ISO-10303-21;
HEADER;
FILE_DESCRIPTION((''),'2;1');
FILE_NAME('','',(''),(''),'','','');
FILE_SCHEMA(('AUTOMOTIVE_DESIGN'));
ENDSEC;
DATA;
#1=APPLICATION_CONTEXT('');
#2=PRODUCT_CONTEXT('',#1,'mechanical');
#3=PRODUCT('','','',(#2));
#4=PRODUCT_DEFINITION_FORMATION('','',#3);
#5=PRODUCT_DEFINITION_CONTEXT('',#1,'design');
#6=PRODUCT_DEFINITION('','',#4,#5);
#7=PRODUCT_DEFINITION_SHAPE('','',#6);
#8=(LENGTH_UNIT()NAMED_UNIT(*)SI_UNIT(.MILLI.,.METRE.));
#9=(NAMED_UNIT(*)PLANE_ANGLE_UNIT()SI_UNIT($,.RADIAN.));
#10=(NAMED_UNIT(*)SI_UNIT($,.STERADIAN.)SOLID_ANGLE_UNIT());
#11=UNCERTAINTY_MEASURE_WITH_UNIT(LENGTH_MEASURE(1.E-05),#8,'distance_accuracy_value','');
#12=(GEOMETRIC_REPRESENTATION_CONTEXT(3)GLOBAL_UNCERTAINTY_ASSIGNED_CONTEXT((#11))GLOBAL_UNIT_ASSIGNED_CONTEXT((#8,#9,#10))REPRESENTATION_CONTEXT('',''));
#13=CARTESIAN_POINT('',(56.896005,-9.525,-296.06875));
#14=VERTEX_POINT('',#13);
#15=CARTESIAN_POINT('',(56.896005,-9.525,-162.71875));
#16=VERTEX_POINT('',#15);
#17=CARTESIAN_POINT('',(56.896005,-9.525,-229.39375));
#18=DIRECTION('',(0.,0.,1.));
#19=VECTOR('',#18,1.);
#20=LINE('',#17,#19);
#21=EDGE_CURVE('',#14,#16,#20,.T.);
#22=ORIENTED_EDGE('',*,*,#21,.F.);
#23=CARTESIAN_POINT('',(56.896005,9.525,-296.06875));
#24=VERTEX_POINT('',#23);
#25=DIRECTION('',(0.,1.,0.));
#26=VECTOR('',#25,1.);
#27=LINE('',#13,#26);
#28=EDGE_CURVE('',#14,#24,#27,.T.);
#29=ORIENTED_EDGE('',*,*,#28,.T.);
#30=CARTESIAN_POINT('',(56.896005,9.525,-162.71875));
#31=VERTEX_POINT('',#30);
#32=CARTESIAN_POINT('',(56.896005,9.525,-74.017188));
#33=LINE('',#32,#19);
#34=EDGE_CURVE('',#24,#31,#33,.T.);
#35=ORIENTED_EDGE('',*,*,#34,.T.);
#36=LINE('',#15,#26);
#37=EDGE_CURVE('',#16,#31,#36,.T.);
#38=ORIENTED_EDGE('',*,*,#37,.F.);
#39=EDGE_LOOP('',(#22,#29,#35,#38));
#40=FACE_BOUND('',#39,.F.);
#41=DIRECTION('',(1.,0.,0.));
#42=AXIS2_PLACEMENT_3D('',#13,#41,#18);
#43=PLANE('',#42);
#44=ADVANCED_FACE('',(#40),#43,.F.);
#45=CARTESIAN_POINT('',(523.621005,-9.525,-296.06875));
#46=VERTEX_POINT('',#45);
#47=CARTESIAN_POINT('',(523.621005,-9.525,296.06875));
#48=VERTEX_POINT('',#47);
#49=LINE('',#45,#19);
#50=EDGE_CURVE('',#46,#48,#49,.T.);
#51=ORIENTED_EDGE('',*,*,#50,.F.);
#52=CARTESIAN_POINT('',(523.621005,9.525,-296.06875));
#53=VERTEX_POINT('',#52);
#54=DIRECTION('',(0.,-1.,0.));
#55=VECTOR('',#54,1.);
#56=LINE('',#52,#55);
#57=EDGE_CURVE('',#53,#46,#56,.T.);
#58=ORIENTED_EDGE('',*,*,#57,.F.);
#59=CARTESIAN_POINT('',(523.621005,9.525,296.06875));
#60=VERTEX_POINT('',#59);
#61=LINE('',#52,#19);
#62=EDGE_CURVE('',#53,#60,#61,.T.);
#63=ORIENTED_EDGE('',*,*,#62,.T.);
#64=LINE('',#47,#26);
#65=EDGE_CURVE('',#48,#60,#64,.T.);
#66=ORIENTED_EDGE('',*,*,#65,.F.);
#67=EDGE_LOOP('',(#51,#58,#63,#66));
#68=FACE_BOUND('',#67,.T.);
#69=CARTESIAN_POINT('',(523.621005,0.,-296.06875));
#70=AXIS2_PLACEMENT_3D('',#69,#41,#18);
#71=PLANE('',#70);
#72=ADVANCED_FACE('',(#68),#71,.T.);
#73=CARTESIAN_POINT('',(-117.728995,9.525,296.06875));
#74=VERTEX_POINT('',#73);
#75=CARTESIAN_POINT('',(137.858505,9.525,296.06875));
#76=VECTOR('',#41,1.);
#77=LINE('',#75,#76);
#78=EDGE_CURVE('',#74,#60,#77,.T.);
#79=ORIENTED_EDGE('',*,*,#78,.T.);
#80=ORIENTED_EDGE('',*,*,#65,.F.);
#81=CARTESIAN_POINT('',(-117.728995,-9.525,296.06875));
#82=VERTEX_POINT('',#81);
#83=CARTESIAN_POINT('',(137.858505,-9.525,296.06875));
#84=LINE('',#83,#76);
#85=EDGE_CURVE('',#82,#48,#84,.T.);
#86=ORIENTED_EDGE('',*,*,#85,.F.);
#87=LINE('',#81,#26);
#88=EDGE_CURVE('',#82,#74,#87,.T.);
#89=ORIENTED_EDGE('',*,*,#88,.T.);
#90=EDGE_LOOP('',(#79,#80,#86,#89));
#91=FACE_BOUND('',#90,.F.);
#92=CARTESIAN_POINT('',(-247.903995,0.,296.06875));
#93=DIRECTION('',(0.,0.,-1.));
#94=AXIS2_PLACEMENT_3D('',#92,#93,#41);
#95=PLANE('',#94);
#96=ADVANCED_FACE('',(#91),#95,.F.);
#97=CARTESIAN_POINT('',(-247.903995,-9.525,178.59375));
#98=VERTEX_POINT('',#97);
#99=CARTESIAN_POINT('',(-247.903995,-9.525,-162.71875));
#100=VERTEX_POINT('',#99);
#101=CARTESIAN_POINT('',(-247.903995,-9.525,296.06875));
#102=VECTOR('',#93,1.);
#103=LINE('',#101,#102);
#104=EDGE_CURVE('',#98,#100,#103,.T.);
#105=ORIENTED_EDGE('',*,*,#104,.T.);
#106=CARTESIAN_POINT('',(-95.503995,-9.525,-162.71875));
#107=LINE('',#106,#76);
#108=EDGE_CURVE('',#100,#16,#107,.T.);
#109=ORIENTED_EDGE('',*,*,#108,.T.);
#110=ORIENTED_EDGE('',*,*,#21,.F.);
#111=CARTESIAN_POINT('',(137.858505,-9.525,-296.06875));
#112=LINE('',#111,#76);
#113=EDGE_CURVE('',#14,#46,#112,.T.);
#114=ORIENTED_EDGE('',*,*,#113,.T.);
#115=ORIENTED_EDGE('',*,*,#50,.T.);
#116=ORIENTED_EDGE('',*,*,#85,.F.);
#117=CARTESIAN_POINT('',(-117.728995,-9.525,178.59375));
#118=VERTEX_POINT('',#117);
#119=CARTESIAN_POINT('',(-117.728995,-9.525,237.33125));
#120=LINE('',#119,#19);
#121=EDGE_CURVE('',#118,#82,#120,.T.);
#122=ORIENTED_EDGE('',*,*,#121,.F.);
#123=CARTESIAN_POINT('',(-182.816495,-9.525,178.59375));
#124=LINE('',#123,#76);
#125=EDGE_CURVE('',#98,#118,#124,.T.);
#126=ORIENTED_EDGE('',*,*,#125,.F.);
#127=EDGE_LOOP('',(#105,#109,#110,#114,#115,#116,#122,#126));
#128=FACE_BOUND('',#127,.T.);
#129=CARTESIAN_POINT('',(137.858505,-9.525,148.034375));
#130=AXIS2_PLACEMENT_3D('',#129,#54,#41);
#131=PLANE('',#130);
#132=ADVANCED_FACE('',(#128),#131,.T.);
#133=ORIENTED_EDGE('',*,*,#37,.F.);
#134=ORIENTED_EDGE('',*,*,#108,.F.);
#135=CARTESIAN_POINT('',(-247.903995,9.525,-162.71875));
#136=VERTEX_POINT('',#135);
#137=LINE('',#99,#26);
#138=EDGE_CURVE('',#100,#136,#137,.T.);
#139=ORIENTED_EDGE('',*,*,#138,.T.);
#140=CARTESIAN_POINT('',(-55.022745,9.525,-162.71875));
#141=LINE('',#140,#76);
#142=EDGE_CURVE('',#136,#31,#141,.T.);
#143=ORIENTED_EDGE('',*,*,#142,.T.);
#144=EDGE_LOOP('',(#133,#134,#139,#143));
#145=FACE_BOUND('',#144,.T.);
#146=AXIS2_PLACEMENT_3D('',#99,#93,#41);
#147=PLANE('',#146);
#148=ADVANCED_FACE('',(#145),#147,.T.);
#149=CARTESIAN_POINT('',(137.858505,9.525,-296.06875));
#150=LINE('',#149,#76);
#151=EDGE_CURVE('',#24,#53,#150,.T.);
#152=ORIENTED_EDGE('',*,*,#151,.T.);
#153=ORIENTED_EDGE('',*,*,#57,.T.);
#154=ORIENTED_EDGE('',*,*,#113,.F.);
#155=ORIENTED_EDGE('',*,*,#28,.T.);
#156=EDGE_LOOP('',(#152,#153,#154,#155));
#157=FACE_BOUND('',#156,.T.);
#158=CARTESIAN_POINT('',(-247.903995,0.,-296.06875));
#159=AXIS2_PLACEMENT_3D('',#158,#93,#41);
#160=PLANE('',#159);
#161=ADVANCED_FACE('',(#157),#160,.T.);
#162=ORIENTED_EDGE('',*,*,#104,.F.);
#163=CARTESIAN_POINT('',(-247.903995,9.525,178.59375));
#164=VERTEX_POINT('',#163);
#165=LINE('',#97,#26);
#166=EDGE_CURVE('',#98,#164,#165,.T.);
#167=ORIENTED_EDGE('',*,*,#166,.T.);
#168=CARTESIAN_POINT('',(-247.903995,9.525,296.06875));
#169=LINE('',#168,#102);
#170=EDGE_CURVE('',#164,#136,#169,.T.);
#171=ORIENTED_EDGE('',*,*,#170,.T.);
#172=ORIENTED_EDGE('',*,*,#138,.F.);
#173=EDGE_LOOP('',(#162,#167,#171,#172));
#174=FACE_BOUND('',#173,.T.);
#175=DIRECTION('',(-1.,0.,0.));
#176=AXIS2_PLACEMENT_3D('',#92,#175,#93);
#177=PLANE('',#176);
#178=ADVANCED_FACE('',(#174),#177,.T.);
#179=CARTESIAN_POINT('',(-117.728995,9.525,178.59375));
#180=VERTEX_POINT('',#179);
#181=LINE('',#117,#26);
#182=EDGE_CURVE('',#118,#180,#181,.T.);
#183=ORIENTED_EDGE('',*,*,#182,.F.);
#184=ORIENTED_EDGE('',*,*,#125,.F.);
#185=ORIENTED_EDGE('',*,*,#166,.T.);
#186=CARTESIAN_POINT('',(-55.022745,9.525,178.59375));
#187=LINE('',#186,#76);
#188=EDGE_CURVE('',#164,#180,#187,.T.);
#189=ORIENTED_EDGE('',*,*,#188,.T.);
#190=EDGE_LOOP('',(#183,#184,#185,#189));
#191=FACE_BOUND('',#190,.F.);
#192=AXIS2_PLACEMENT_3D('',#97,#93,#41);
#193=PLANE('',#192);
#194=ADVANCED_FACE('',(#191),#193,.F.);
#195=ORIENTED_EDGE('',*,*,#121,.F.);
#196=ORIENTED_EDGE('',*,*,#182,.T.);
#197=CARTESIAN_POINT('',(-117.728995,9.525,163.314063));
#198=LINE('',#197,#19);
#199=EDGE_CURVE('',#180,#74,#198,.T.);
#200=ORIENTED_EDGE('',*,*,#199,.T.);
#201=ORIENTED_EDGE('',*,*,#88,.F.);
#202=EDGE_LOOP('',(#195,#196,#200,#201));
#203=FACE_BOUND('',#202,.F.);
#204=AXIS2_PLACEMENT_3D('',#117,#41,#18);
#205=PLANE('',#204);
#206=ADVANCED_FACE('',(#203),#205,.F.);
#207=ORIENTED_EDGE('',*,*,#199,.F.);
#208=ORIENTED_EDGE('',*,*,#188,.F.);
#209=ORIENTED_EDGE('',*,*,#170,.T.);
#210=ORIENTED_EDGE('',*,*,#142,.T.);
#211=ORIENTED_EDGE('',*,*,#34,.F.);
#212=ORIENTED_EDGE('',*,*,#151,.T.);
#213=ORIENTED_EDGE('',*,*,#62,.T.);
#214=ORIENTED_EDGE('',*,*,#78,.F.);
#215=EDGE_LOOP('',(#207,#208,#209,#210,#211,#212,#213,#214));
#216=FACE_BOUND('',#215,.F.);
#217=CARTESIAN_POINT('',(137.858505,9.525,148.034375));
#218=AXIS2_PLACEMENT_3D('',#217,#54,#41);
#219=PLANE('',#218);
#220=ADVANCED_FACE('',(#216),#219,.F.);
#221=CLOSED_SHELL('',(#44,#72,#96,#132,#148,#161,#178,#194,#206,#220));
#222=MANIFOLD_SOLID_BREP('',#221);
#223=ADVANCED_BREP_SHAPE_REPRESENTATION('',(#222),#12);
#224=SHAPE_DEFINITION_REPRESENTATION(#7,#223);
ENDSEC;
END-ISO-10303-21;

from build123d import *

# Parameters (mm, degrees)
F0_W     = 771.525
F0_H     = 296.06875
F1_DEPTH = 9.525
F2_W     = 304.8
F2_H     = 133.35
F3_DEPTH = 19.051
F4_W     = 130.175
F4_H     = 117.475
F5_DEPTH = 19.051


with BuildPart() as f1:
    # F0 (on Front) → F1 (new body, symmetric)
    with BuildSketch(Plane.XZ):
        with Locations((137.8585046741, 148.034375)):
            Rectangle(F0_W, F0_H)
        with Locations((137.8585046741, -148.034375)):
            Rectangle(F0_W, F0_H)
    extrude(amount=F1_DEPTH, both=True)

    # F2 (on face) → F3 (cut, through all)
    with BuildSketch(Plane.XZ.offset(9.525)):
        with Locations((-95.5039953259, -229.39375)):
            Rectangle(F2_W, F2_H)
    extrude(amount=-F3_DEPTH, mode=Mode.SUBTRACT)

    # F4 (on face) → F5 (cut, through all)
    with BuildSketch(Plane.XZ.offset(9.525)):
        with Locations((-182.8164953259, 237.33125)):
            Rectangle(F4_W, F4_H)
    extrude(amount=-F5_DEPTH, mode=Mode.SUBTRACT)


solid = f1.part
